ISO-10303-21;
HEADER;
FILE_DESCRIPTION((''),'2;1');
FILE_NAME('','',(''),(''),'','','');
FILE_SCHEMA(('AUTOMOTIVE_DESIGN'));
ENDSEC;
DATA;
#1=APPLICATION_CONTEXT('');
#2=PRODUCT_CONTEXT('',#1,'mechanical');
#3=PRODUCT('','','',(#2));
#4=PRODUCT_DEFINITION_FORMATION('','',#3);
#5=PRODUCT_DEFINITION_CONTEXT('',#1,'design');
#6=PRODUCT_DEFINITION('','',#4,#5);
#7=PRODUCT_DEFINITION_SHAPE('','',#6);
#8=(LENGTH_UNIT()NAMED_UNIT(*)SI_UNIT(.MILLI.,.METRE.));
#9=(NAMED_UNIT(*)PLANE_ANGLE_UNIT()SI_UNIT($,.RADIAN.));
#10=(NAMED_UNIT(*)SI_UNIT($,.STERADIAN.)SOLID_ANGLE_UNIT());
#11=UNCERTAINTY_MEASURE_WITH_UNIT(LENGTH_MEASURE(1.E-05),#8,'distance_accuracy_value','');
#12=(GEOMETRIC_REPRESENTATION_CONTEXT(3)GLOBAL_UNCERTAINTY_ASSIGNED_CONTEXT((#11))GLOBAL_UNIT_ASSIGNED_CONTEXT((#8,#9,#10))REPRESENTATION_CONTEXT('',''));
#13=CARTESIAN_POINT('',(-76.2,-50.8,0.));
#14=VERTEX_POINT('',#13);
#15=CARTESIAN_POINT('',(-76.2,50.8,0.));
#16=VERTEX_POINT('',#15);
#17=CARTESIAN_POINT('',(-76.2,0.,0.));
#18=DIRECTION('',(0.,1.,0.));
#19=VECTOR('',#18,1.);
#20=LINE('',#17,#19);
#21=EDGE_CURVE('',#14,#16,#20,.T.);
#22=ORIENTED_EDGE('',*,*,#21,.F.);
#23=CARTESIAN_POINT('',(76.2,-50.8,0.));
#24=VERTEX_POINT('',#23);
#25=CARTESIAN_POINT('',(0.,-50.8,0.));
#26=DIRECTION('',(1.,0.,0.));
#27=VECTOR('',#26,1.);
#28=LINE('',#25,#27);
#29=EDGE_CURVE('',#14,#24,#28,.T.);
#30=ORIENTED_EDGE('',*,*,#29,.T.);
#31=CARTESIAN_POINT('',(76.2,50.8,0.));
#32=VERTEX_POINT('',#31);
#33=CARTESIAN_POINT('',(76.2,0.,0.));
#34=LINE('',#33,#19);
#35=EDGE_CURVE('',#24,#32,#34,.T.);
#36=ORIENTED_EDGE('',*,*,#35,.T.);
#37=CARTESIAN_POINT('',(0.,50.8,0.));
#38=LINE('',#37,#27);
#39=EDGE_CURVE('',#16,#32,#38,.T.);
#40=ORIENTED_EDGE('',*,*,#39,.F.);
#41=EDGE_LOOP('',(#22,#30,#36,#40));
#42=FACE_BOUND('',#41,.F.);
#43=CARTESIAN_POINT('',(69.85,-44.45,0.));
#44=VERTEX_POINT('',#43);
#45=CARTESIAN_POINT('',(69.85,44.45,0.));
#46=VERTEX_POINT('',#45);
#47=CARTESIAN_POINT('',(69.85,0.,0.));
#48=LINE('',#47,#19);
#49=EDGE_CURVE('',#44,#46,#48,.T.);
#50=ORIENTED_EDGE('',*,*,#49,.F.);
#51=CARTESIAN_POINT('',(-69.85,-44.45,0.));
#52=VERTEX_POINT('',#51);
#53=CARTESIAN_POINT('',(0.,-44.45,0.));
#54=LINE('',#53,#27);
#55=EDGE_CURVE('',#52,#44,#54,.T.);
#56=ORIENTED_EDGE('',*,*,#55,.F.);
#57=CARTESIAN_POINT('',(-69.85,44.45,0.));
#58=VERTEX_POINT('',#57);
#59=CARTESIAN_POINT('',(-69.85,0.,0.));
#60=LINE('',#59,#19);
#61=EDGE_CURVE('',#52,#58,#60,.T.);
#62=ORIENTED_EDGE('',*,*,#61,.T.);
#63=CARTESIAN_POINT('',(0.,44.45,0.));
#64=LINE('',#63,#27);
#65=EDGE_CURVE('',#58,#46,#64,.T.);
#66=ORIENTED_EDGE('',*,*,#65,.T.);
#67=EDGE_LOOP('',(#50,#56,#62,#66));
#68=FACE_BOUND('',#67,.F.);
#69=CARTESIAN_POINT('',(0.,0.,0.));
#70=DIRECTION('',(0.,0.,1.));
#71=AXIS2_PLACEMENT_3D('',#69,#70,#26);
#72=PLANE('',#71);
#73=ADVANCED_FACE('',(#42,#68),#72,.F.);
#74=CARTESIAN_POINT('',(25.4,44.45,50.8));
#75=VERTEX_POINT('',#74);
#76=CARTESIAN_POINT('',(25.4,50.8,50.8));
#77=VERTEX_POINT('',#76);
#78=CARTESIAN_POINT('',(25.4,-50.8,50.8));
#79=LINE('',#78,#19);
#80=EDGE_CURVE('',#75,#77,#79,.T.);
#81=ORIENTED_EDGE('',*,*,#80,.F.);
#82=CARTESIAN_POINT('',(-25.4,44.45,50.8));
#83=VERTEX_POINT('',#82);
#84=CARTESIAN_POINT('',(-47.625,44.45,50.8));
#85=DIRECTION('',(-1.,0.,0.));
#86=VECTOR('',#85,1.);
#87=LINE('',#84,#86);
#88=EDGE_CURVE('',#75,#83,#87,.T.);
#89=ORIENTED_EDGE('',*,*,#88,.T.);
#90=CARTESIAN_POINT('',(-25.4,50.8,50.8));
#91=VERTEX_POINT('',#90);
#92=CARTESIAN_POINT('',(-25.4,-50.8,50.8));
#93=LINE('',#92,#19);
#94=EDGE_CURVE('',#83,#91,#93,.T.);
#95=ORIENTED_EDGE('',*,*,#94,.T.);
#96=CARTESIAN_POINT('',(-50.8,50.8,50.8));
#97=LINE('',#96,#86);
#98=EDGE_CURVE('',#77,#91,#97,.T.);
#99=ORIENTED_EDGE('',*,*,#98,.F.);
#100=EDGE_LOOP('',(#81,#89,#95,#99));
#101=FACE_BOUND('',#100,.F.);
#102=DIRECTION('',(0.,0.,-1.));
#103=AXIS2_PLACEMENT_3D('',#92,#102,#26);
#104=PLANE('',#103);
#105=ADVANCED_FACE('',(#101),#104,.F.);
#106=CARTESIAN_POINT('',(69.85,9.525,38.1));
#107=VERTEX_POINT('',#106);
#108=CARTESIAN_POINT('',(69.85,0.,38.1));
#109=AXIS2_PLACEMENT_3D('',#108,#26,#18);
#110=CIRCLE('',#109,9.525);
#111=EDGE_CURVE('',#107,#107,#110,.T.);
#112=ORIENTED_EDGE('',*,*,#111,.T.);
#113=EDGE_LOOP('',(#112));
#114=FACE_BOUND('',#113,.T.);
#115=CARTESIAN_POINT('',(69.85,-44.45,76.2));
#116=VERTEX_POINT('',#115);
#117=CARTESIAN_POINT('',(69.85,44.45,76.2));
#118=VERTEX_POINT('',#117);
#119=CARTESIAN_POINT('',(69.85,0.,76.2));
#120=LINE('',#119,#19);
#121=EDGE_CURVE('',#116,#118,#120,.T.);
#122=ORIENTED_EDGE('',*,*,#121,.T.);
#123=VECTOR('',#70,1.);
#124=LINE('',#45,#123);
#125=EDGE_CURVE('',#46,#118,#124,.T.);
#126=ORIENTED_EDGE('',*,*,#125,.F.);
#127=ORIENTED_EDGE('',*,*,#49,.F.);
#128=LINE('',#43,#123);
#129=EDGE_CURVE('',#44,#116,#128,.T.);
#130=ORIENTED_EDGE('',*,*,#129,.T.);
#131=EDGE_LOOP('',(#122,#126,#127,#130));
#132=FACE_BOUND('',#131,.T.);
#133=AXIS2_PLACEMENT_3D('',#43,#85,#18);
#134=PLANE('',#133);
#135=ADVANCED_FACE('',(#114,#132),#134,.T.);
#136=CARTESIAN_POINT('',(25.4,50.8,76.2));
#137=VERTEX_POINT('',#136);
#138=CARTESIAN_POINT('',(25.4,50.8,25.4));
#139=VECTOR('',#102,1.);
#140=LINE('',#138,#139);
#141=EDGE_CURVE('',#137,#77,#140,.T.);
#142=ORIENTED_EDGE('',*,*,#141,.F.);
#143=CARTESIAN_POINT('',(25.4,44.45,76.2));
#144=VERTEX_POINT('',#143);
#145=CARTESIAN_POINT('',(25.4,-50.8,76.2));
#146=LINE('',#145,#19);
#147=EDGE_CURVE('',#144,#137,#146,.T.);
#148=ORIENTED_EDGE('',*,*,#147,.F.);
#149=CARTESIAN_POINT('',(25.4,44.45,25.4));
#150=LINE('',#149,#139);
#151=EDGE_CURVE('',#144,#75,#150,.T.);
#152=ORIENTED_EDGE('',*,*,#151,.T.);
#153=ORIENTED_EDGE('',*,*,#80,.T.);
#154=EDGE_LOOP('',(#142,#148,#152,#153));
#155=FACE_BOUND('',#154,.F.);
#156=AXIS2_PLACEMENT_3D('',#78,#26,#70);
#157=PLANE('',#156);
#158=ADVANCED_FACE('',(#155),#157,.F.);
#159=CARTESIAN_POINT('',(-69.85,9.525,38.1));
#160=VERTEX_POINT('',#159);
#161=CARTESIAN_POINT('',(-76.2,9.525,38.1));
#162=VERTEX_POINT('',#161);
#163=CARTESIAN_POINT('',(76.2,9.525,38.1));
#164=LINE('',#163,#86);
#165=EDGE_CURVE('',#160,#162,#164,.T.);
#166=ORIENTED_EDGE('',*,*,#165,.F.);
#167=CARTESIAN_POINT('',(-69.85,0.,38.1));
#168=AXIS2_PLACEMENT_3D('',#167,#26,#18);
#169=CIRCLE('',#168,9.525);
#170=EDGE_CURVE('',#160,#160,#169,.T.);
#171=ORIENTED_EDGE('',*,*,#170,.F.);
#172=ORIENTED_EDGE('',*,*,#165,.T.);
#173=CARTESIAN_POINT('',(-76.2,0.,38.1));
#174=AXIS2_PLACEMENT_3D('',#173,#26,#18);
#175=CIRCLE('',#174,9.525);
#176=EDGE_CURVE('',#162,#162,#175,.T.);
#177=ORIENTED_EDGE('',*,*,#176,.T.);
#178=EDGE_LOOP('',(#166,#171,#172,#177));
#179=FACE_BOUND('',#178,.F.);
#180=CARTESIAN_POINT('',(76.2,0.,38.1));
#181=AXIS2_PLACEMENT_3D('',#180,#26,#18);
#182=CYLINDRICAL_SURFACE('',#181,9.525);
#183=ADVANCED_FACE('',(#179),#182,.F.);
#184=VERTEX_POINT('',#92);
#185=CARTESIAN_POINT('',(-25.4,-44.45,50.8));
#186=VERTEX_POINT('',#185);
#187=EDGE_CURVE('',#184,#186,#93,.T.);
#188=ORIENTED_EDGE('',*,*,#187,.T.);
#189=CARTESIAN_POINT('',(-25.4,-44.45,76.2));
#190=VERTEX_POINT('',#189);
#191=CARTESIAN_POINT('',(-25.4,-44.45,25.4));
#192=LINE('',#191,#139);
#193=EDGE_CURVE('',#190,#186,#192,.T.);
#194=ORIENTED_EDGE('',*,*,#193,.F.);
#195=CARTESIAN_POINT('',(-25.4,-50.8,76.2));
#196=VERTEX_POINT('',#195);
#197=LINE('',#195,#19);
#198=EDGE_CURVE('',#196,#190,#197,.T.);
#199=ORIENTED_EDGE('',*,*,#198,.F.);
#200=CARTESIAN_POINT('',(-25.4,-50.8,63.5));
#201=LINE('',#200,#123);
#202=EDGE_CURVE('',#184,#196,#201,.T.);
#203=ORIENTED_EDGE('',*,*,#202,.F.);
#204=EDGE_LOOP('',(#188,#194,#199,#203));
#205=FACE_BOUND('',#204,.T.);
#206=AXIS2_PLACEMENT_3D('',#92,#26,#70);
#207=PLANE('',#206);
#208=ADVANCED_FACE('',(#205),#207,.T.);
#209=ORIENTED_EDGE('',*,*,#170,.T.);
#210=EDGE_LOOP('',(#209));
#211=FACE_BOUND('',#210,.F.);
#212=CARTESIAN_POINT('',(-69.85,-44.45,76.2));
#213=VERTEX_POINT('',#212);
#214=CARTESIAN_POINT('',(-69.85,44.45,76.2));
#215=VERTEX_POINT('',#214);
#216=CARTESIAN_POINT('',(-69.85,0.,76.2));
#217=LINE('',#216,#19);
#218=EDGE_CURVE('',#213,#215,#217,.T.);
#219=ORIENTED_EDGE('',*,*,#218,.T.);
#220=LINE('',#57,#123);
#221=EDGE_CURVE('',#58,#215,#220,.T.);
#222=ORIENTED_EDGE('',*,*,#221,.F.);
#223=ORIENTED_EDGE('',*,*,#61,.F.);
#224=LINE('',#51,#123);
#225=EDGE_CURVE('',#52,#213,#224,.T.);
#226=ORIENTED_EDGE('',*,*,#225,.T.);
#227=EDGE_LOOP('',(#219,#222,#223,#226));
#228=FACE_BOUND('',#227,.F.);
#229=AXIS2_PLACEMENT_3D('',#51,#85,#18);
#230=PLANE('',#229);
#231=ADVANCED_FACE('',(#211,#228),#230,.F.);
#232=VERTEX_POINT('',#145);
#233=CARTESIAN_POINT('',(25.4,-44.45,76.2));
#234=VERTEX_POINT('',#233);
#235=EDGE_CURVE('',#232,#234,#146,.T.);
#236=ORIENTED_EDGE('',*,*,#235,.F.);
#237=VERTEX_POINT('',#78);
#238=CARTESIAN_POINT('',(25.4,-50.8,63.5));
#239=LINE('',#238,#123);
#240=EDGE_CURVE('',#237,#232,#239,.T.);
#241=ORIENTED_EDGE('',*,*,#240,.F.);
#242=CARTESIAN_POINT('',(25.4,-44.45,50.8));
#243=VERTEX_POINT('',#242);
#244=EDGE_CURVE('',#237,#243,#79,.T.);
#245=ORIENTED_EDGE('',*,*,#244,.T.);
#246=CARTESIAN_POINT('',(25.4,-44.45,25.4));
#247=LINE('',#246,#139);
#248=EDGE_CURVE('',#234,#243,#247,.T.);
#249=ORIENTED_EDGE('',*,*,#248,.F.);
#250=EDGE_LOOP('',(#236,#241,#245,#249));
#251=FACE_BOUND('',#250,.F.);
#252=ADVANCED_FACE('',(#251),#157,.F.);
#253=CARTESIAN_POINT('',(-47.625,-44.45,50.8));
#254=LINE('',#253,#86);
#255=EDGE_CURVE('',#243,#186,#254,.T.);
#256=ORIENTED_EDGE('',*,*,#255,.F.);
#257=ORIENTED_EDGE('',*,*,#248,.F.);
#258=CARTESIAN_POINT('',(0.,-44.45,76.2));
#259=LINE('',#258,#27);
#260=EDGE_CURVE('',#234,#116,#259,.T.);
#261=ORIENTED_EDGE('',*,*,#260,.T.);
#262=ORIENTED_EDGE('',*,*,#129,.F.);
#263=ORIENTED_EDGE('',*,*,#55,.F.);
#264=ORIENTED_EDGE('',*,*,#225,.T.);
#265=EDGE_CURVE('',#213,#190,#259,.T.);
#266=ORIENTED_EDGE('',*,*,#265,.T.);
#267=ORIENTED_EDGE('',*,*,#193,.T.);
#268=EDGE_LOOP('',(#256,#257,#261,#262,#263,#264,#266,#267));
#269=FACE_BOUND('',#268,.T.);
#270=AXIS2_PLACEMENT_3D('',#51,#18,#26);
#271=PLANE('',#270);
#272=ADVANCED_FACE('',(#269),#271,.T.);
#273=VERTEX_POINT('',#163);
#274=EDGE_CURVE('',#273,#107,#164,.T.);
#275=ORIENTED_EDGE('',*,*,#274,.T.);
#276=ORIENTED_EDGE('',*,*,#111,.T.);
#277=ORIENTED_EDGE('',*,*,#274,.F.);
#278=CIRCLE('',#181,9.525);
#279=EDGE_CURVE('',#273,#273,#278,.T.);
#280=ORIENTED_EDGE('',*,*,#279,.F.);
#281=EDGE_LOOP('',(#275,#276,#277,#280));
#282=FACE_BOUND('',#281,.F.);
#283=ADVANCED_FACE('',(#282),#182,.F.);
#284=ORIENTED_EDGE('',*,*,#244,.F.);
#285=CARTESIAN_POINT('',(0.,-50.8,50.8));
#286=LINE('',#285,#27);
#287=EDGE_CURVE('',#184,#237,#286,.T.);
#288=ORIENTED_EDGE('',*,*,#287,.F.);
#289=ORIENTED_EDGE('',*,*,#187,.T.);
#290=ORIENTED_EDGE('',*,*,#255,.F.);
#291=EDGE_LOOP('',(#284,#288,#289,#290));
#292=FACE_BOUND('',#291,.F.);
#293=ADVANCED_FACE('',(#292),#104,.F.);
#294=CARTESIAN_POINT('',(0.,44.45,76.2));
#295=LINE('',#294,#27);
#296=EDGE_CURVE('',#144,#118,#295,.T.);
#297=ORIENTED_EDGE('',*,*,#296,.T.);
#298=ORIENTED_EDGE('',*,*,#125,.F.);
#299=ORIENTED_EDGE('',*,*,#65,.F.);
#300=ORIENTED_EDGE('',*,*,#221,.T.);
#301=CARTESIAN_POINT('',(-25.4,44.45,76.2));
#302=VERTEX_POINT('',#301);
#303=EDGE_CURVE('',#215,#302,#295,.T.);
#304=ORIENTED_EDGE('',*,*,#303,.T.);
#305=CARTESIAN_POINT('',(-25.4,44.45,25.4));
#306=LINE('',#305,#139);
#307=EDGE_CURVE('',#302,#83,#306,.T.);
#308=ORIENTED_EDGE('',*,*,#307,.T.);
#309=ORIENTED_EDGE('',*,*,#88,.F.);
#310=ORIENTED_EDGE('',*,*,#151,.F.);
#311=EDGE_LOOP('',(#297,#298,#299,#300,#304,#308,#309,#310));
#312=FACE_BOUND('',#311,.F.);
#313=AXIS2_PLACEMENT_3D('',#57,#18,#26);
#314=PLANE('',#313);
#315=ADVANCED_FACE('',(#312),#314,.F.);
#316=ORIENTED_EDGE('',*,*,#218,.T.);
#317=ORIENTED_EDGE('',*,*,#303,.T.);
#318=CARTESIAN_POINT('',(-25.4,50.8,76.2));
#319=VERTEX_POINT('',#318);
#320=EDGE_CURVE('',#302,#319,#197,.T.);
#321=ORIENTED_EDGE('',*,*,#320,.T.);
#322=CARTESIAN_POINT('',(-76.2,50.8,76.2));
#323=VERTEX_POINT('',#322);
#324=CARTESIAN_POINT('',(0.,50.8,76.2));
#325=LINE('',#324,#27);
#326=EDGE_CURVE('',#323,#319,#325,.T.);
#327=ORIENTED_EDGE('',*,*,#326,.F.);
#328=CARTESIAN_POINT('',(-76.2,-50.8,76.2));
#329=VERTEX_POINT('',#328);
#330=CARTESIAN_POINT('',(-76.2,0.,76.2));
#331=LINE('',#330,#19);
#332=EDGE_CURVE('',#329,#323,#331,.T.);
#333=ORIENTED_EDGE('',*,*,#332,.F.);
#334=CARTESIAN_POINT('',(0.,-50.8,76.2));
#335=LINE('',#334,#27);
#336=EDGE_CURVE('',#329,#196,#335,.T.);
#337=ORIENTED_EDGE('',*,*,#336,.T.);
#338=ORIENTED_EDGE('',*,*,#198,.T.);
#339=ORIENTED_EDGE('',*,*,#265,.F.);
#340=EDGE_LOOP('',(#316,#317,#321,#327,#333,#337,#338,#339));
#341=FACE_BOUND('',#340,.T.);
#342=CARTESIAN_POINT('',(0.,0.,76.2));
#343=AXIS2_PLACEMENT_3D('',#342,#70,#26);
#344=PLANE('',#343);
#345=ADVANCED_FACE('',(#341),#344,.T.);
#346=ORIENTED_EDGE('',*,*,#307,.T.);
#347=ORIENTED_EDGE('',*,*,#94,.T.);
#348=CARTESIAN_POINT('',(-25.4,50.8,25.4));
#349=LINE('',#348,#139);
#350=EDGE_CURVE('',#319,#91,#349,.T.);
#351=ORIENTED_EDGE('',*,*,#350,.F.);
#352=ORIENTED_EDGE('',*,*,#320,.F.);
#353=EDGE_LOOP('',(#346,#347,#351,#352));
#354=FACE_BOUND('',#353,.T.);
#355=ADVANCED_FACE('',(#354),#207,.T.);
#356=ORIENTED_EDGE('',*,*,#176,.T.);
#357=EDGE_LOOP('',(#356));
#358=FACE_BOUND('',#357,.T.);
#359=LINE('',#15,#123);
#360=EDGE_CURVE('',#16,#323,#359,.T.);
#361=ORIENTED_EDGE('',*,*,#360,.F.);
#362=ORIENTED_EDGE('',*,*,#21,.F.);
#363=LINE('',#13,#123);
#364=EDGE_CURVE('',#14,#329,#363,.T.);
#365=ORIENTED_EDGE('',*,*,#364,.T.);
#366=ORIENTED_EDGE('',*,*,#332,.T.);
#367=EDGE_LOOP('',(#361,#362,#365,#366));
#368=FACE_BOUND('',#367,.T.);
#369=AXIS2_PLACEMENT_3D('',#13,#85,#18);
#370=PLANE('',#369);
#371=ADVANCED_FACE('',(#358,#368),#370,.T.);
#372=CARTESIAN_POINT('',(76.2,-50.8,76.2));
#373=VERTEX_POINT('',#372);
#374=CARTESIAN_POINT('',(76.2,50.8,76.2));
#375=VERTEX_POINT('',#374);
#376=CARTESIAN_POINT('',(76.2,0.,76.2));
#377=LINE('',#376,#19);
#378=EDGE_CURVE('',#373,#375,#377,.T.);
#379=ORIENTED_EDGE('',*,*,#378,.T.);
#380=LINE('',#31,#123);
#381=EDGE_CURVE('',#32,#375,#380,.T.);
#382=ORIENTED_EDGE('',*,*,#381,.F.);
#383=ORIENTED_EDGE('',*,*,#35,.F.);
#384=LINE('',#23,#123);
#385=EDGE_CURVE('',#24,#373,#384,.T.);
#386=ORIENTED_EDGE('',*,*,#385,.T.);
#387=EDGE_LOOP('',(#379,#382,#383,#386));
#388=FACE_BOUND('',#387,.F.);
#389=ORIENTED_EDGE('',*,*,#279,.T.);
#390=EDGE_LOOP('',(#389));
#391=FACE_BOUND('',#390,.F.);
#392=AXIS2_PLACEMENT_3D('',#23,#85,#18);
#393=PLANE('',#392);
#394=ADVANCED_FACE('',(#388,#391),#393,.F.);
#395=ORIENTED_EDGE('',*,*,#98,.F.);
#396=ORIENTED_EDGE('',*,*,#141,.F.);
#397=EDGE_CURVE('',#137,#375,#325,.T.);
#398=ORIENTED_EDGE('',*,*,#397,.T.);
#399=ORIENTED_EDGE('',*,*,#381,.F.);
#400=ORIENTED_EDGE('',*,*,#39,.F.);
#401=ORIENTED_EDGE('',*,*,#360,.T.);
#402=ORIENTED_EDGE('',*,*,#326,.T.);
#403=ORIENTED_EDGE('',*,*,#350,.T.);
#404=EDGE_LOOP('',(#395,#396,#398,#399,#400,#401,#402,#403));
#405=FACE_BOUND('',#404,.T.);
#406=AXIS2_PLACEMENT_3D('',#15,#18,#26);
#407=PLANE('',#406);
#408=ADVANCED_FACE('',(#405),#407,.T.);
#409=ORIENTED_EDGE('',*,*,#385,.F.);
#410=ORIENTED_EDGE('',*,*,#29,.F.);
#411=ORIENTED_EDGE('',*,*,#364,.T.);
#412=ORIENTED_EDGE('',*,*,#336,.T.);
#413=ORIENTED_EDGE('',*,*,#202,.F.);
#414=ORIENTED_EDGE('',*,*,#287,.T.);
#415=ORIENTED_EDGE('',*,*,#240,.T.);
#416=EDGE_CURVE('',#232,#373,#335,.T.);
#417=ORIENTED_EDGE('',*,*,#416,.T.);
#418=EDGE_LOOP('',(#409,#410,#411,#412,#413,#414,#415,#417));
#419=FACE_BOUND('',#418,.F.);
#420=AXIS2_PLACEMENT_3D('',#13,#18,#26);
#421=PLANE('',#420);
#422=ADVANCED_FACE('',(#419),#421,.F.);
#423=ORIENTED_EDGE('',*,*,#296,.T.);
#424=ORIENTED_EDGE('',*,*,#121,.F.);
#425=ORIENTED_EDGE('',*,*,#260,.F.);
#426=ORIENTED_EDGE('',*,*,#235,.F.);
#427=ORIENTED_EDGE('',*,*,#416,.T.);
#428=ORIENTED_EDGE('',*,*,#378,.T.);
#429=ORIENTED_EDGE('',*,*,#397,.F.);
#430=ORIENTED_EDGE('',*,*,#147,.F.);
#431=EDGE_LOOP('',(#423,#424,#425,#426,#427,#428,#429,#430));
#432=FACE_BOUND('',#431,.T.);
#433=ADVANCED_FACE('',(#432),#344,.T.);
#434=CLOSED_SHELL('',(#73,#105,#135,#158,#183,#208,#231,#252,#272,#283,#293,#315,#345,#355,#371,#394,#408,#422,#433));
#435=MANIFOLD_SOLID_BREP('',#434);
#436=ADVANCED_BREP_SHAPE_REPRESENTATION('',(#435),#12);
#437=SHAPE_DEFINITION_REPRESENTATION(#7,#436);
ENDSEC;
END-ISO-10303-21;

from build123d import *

# Parameters (mm, degrees)
F0_W     = 152.4
F0_H     = 101.6
F0_W_2   = 139.7
F0_H_2   = 88.9
F1_DEPTH = 76.2
F2_W     = 50.8
F2_H     = 25.4
F3_DEPTH = 101.601
F4_R     = 9.525
F5_DEPTH = 152.401


with BuildPart() as f1:
    # F0 (on Top) → F1 (new body)
    with BuildSketch(Plane.XY):
        Rectangle(F0_W, F0_H)
        Rectangle(F0_W_2, F0_H_2, mode=Mode.SUBTRACT)
    extrude(amount=F1_DEPTH)

    # F2 (on face) → F3 (cut, through all)
    with BuildSketch(Plane.XZ.offset(50.8)):
        with Locations((0, 63.5)):
            Rectangle(F2_W, F2_H)
    extrude(amount=-F3_DEPTH, mode=Mode.SUBTRACT)

    # F4 (on face) → F5 (cut, through all)
    with BuildSketch(Plane.YZ.offset(76.2)):
        with Locations((0, 38.1)):
            Circle(F4_R)
    extrude(amount=-F5_DEPTH, mode=Mode.SUBTRACT)


solid = f1.part
